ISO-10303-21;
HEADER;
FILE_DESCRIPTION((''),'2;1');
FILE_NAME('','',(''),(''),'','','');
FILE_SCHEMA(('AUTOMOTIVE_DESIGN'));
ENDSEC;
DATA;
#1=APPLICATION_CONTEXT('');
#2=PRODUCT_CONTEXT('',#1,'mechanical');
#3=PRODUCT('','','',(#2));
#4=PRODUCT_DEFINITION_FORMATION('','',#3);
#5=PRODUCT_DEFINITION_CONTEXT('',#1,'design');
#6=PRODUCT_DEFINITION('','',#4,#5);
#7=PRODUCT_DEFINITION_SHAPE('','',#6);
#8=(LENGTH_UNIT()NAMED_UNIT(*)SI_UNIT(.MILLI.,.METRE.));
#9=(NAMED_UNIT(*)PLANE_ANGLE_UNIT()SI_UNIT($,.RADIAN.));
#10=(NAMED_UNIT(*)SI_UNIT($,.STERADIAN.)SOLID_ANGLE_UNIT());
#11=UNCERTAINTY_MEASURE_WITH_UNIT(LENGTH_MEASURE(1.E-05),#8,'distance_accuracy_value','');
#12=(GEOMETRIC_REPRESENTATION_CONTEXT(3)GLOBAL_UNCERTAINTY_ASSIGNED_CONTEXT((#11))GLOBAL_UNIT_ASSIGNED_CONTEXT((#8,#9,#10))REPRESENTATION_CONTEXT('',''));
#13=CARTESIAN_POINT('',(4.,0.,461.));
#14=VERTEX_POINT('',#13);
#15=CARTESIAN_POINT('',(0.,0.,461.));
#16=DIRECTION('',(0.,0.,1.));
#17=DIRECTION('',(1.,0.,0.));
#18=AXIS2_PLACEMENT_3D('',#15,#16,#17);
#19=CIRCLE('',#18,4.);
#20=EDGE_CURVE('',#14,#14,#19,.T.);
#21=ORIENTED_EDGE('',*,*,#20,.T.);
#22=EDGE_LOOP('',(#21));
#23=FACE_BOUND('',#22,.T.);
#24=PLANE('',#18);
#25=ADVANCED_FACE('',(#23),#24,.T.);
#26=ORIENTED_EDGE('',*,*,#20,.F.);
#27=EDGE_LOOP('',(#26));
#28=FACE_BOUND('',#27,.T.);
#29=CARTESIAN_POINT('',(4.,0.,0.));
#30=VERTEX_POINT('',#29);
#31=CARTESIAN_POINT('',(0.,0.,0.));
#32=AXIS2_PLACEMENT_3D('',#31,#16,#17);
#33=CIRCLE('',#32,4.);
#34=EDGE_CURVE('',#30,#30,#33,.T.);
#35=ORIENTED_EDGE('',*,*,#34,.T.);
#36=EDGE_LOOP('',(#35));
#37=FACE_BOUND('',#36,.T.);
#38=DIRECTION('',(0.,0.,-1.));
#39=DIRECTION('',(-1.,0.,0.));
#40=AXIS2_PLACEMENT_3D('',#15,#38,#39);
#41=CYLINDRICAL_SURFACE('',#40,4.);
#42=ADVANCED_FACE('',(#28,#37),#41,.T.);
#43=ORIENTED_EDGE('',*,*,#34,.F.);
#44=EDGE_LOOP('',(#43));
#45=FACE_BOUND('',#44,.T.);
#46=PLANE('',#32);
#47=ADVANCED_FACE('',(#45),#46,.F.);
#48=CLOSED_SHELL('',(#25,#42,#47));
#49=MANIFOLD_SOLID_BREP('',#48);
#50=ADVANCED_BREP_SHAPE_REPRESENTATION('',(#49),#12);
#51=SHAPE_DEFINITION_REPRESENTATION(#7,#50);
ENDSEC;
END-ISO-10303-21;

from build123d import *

# Parameters (mm, degrees)
ESQUISSE1_R        = 4
BOSS_EXTRU_1_DEPTH = 461


with BuildPart() as part:
    # Esquisse1 → Boss.-Extru.1 (new body)
    with BuildSketch(Plane.XY):
        Circle(ESQUISSE1_R)
    extrude(amount=BOSS_EXTRU_1_DEPTH)


solid = part.part
